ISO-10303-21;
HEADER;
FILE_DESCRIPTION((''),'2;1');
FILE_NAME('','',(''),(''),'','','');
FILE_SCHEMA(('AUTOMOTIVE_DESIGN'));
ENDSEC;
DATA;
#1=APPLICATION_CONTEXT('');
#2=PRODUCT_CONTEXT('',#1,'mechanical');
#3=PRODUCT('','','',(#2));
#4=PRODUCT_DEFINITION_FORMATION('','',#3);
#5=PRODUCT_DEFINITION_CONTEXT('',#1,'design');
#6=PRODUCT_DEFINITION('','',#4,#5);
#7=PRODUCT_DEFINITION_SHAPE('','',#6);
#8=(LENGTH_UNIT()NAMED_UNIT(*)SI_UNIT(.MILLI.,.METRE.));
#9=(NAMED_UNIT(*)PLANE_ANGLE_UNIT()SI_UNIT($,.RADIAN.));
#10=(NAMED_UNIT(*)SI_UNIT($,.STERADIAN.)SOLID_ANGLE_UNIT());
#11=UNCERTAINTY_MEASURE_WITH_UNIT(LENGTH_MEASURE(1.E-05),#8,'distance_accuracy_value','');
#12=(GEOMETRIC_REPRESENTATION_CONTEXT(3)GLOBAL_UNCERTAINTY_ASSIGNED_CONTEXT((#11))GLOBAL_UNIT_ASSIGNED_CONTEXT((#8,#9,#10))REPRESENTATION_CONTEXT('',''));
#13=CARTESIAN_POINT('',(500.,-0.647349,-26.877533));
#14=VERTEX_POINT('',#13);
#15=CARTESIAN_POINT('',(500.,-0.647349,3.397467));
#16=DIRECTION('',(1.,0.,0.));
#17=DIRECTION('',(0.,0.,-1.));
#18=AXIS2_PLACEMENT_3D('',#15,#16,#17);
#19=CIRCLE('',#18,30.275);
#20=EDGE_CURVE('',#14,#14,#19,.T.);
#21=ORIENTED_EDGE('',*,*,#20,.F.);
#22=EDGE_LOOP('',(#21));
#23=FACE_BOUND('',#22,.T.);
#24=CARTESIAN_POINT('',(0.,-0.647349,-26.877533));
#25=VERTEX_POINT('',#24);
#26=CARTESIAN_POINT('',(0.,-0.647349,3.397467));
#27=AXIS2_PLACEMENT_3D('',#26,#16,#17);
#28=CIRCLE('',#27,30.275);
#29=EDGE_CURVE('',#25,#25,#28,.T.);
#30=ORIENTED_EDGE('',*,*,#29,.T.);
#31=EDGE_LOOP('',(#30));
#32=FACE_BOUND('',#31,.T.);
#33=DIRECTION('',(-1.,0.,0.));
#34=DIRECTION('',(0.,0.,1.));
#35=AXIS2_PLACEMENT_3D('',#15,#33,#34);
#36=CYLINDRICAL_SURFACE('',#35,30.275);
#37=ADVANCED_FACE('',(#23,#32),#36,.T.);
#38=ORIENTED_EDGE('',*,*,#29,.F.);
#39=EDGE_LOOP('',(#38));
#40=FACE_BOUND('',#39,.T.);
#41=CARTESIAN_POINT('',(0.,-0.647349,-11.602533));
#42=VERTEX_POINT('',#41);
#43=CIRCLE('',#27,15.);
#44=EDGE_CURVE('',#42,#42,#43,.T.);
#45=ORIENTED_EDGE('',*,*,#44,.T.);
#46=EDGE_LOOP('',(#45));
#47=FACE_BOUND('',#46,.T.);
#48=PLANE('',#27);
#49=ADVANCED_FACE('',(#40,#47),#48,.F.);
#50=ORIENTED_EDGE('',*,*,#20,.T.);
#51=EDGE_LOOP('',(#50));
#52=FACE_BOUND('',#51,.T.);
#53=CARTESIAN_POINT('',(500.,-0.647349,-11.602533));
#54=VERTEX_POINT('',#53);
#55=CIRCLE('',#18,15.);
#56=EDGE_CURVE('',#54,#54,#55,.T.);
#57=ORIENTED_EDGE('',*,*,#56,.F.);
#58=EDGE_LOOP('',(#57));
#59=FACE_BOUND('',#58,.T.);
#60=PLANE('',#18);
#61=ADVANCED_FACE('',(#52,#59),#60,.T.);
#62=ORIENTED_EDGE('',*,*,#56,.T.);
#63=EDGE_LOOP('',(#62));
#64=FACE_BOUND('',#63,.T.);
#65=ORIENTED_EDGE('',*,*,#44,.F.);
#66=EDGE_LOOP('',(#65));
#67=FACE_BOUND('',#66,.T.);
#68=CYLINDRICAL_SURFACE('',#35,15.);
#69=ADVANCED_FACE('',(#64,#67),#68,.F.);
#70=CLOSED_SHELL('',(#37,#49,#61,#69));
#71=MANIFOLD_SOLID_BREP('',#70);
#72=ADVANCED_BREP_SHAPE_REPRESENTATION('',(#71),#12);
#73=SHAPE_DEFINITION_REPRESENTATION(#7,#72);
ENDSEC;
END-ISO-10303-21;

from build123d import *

# Parameters (mm, degrees)
SKETCH2_R           = 30.275
SKETCH2_R_2         = 15
BOSS_EXTRUDE1_DEPTH = 500


with BuildPart() as part:
    # Sketch2 → Boss-Extrude1 (new body)
    with BuildSketch(Plane(origin=(0, 0, 0), x_dir=(0, 0, -1), z_dir=(1, 0, 0))):
        with Locations((-3.397466775, -0.647349453)):
            Circle(SKETCH2_R)
        with Locations((-3.397466775, -0.647349453)):
            Circle(SKETCH2_R_2, mode=Mode.SUBTRACT)
    extrude(amount=BOSS_EXTRUDE1_DEPTH)


solid = part.part
